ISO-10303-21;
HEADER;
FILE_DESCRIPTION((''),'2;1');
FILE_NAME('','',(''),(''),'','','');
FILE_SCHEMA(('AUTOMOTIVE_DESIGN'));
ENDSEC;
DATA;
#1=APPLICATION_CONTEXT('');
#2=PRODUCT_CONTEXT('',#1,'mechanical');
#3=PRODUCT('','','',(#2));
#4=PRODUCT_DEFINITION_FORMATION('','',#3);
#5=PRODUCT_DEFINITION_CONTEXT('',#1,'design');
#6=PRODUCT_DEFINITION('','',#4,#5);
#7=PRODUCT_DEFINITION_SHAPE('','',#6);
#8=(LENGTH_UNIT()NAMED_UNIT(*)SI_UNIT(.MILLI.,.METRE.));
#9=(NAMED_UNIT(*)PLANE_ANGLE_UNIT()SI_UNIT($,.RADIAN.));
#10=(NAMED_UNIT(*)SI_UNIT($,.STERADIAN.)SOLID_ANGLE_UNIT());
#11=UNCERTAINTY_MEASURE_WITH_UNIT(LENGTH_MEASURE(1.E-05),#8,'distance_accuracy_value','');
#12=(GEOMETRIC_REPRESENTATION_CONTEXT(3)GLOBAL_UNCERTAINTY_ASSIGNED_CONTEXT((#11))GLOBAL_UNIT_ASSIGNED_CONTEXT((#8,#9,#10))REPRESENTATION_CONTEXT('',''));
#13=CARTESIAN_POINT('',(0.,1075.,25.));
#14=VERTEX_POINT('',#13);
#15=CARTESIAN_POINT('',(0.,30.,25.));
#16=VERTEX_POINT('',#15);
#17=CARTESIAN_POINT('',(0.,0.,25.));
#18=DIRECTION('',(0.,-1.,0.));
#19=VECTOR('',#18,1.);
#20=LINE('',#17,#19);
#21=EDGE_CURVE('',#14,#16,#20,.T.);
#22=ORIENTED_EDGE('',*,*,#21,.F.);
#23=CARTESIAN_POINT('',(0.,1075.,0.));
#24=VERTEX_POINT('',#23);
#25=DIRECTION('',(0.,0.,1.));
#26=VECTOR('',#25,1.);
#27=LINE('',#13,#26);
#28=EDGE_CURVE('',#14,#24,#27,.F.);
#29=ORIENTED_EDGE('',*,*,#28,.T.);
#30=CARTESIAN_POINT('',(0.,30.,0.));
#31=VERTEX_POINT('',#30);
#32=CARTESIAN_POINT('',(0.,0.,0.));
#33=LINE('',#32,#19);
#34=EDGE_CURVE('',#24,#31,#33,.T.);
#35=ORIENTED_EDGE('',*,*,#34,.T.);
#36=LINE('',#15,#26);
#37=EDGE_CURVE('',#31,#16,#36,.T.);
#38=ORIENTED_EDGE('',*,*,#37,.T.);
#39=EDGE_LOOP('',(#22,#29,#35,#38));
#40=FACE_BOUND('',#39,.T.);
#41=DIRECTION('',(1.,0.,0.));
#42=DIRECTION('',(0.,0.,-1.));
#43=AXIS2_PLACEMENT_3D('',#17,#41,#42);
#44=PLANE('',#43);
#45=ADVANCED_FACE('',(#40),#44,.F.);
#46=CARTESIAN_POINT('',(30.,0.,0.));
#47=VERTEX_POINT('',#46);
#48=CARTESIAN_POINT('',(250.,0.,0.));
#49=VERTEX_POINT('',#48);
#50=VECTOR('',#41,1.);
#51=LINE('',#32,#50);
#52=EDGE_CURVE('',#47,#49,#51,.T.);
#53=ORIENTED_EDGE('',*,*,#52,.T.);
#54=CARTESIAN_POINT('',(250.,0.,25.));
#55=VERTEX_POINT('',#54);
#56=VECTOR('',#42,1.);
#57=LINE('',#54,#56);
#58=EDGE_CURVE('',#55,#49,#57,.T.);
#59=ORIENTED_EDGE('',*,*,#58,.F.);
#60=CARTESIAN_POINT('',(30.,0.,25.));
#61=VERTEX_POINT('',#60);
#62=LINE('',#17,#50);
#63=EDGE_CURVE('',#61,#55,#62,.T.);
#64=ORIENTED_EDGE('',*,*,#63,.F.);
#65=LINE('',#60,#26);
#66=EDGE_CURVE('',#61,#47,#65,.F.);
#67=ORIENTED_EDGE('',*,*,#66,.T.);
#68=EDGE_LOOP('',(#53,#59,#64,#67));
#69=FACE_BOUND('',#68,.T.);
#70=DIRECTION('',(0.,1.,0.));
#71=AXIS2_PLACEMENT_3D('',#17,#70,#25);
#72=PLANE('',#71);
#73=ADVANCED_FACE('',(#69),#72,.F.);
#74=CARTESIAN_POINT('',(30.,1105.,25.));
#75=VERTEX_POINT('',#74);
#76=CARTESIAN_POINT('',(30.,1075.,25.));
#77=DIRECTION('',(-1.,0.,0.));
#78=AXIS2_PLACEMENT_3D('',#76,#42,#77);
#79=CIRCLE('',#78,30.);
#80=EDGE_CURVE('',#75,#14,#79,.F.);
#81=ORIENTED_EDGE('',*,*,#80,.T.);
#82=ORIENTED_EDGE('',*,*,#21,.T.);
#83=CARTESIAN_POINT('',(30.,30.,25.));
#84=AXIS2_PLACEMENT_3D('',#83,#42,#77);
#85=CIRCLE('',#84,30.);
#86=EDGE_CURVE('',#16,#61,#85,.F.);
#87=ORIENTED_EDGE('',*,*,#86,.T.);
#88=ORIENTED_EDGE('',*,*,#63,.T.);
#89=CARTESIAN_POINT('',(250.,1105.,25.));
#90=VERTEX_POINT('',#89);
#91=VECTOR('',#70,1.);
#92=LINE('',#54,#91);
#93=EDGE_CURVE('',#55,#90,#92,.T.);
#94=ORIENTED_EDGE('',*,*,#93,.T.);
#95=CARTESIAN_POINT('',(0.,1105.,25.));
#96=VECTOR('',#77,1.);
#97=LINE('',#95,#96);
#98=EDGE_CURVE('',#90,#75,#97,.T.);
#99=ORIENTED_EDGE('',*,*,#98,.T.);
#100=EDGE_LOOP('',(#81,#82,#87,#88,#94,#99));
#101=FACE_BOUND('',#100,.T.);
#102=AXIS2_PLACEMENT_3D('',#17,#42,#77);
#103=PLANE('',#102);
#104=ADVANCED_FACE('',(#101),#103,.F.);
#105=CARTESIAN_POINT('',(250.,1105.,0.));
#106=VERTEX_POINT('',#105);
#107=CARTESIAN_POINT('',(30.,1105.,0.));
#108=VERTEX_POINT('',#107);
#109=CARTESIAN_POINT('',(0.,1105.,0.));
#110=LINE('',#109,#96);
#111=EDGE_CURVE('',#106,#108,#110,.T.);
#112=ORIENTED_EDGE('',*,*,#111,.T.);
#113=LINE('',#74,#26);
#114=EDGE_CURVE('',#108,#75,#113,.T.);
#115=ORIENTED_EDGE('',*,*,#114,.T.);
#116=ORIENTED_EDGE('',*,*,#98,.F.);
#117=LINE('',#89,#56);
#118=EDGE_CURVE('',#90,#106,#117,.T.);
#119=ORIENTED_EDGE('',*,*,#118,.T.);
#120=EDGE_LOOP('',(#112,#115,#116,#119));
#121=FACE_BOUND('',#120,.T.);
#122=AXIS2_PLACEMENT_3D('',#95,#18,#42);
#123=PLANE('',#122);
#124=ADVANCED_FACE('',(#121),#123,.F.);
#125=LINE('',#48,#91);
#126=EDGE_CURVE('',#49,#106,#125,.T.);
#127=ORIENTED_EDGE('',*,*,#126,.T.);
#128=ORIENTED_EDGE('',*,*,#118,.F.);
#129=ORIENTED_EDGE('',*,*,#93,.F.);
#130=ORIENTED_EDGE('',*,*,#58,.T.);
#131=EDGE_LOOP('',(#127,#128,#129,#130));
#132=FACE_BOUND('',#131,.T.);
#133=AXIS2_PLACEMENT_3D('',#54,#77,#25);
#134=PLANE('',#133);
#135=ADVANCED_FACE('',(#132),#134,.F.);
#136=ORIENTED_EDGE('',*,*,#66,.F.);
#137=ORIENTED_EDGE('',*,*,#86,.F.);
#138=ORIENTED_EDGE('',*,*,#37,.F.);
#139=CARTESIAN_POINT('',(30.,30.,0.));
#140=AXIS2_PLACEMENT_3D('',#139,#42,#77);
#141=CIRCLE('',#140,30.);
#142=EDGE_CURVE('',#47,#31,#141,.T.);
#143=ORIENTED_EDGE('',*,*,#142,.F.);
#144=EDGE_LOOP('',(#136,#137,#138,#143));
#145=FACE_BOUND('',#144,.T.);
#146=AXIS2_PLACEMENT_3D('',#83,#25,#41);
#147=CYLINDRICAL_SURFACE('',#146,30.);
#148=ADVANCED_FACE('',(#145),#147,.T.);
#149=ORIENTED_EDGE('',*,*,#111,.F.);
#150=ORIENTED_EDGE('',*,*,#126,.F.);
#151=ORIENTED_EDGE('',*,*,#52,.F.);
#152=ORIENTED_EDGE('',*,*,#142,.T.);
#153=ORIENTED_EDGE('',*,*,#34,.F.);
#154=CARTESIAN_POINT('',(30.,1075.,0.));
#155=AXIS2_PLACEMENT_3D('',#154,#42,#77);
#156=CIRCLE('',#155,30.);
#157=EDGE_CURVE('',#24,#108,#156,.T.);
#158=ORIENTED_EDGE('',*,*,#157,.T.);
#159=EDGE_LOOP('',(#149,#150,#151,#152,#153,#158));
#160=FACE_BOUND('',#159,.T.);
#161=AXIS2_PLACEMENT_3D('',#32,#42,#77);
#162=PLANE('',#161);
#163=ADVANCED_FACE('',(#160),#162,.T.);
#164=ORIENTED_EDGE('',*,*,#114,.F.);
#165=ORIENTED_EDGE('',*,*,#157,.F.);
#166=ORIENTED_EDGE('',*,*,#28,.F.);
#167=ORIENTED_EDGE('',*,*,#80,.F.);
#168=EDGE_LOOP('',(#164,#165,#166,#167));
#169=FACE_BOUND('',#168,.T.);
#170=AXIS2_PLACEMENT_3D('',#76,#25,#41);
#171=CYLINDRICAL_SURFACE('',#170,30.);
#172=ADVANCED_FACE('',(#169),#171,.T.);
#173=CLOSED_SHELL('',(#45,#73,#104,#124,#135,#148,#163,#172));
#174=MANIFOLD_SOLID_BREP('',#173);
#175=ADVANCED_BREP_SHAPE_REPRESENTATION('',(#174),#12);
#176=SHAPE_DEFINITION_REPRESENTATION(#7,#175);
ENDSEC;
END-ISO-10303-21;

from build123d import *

# Parameters (mm, degrees)
SKETCH1_W           = 250
SKETCH1_H           = 1105
BOSS_EXTRUDE1_DEPTH = 25
FILLET1_R           = 30
FILLET2_R           = 30


with BuildPart() as part:
    # Sketch1 → Boss-Extrude1 (new body)
    with BuildSketch(Plane.XY):
        with Locations((125, 552.5)):
            Rectangle(SKETCH1_W, SKETCH1_H)
    extrude(amount=BOSS_EXTRUDE1_DEPTH)

    # Fillet1
    fillet1_edges = [part.edges().sort_by_distance(p)[0] for p in [
        (0, 1105, 12.5),
    ]]
    fillet(fillet1_edges, radius=FILLET1_R)

    # Fillet2
    fillet2_edges = [part.edges().sort_by_distance(p)[0] for p in [
        (0, 0, 12.5),
    ]]
    fillet(fillet2_edges, radius=FILLET2_R)


solid = part.part
